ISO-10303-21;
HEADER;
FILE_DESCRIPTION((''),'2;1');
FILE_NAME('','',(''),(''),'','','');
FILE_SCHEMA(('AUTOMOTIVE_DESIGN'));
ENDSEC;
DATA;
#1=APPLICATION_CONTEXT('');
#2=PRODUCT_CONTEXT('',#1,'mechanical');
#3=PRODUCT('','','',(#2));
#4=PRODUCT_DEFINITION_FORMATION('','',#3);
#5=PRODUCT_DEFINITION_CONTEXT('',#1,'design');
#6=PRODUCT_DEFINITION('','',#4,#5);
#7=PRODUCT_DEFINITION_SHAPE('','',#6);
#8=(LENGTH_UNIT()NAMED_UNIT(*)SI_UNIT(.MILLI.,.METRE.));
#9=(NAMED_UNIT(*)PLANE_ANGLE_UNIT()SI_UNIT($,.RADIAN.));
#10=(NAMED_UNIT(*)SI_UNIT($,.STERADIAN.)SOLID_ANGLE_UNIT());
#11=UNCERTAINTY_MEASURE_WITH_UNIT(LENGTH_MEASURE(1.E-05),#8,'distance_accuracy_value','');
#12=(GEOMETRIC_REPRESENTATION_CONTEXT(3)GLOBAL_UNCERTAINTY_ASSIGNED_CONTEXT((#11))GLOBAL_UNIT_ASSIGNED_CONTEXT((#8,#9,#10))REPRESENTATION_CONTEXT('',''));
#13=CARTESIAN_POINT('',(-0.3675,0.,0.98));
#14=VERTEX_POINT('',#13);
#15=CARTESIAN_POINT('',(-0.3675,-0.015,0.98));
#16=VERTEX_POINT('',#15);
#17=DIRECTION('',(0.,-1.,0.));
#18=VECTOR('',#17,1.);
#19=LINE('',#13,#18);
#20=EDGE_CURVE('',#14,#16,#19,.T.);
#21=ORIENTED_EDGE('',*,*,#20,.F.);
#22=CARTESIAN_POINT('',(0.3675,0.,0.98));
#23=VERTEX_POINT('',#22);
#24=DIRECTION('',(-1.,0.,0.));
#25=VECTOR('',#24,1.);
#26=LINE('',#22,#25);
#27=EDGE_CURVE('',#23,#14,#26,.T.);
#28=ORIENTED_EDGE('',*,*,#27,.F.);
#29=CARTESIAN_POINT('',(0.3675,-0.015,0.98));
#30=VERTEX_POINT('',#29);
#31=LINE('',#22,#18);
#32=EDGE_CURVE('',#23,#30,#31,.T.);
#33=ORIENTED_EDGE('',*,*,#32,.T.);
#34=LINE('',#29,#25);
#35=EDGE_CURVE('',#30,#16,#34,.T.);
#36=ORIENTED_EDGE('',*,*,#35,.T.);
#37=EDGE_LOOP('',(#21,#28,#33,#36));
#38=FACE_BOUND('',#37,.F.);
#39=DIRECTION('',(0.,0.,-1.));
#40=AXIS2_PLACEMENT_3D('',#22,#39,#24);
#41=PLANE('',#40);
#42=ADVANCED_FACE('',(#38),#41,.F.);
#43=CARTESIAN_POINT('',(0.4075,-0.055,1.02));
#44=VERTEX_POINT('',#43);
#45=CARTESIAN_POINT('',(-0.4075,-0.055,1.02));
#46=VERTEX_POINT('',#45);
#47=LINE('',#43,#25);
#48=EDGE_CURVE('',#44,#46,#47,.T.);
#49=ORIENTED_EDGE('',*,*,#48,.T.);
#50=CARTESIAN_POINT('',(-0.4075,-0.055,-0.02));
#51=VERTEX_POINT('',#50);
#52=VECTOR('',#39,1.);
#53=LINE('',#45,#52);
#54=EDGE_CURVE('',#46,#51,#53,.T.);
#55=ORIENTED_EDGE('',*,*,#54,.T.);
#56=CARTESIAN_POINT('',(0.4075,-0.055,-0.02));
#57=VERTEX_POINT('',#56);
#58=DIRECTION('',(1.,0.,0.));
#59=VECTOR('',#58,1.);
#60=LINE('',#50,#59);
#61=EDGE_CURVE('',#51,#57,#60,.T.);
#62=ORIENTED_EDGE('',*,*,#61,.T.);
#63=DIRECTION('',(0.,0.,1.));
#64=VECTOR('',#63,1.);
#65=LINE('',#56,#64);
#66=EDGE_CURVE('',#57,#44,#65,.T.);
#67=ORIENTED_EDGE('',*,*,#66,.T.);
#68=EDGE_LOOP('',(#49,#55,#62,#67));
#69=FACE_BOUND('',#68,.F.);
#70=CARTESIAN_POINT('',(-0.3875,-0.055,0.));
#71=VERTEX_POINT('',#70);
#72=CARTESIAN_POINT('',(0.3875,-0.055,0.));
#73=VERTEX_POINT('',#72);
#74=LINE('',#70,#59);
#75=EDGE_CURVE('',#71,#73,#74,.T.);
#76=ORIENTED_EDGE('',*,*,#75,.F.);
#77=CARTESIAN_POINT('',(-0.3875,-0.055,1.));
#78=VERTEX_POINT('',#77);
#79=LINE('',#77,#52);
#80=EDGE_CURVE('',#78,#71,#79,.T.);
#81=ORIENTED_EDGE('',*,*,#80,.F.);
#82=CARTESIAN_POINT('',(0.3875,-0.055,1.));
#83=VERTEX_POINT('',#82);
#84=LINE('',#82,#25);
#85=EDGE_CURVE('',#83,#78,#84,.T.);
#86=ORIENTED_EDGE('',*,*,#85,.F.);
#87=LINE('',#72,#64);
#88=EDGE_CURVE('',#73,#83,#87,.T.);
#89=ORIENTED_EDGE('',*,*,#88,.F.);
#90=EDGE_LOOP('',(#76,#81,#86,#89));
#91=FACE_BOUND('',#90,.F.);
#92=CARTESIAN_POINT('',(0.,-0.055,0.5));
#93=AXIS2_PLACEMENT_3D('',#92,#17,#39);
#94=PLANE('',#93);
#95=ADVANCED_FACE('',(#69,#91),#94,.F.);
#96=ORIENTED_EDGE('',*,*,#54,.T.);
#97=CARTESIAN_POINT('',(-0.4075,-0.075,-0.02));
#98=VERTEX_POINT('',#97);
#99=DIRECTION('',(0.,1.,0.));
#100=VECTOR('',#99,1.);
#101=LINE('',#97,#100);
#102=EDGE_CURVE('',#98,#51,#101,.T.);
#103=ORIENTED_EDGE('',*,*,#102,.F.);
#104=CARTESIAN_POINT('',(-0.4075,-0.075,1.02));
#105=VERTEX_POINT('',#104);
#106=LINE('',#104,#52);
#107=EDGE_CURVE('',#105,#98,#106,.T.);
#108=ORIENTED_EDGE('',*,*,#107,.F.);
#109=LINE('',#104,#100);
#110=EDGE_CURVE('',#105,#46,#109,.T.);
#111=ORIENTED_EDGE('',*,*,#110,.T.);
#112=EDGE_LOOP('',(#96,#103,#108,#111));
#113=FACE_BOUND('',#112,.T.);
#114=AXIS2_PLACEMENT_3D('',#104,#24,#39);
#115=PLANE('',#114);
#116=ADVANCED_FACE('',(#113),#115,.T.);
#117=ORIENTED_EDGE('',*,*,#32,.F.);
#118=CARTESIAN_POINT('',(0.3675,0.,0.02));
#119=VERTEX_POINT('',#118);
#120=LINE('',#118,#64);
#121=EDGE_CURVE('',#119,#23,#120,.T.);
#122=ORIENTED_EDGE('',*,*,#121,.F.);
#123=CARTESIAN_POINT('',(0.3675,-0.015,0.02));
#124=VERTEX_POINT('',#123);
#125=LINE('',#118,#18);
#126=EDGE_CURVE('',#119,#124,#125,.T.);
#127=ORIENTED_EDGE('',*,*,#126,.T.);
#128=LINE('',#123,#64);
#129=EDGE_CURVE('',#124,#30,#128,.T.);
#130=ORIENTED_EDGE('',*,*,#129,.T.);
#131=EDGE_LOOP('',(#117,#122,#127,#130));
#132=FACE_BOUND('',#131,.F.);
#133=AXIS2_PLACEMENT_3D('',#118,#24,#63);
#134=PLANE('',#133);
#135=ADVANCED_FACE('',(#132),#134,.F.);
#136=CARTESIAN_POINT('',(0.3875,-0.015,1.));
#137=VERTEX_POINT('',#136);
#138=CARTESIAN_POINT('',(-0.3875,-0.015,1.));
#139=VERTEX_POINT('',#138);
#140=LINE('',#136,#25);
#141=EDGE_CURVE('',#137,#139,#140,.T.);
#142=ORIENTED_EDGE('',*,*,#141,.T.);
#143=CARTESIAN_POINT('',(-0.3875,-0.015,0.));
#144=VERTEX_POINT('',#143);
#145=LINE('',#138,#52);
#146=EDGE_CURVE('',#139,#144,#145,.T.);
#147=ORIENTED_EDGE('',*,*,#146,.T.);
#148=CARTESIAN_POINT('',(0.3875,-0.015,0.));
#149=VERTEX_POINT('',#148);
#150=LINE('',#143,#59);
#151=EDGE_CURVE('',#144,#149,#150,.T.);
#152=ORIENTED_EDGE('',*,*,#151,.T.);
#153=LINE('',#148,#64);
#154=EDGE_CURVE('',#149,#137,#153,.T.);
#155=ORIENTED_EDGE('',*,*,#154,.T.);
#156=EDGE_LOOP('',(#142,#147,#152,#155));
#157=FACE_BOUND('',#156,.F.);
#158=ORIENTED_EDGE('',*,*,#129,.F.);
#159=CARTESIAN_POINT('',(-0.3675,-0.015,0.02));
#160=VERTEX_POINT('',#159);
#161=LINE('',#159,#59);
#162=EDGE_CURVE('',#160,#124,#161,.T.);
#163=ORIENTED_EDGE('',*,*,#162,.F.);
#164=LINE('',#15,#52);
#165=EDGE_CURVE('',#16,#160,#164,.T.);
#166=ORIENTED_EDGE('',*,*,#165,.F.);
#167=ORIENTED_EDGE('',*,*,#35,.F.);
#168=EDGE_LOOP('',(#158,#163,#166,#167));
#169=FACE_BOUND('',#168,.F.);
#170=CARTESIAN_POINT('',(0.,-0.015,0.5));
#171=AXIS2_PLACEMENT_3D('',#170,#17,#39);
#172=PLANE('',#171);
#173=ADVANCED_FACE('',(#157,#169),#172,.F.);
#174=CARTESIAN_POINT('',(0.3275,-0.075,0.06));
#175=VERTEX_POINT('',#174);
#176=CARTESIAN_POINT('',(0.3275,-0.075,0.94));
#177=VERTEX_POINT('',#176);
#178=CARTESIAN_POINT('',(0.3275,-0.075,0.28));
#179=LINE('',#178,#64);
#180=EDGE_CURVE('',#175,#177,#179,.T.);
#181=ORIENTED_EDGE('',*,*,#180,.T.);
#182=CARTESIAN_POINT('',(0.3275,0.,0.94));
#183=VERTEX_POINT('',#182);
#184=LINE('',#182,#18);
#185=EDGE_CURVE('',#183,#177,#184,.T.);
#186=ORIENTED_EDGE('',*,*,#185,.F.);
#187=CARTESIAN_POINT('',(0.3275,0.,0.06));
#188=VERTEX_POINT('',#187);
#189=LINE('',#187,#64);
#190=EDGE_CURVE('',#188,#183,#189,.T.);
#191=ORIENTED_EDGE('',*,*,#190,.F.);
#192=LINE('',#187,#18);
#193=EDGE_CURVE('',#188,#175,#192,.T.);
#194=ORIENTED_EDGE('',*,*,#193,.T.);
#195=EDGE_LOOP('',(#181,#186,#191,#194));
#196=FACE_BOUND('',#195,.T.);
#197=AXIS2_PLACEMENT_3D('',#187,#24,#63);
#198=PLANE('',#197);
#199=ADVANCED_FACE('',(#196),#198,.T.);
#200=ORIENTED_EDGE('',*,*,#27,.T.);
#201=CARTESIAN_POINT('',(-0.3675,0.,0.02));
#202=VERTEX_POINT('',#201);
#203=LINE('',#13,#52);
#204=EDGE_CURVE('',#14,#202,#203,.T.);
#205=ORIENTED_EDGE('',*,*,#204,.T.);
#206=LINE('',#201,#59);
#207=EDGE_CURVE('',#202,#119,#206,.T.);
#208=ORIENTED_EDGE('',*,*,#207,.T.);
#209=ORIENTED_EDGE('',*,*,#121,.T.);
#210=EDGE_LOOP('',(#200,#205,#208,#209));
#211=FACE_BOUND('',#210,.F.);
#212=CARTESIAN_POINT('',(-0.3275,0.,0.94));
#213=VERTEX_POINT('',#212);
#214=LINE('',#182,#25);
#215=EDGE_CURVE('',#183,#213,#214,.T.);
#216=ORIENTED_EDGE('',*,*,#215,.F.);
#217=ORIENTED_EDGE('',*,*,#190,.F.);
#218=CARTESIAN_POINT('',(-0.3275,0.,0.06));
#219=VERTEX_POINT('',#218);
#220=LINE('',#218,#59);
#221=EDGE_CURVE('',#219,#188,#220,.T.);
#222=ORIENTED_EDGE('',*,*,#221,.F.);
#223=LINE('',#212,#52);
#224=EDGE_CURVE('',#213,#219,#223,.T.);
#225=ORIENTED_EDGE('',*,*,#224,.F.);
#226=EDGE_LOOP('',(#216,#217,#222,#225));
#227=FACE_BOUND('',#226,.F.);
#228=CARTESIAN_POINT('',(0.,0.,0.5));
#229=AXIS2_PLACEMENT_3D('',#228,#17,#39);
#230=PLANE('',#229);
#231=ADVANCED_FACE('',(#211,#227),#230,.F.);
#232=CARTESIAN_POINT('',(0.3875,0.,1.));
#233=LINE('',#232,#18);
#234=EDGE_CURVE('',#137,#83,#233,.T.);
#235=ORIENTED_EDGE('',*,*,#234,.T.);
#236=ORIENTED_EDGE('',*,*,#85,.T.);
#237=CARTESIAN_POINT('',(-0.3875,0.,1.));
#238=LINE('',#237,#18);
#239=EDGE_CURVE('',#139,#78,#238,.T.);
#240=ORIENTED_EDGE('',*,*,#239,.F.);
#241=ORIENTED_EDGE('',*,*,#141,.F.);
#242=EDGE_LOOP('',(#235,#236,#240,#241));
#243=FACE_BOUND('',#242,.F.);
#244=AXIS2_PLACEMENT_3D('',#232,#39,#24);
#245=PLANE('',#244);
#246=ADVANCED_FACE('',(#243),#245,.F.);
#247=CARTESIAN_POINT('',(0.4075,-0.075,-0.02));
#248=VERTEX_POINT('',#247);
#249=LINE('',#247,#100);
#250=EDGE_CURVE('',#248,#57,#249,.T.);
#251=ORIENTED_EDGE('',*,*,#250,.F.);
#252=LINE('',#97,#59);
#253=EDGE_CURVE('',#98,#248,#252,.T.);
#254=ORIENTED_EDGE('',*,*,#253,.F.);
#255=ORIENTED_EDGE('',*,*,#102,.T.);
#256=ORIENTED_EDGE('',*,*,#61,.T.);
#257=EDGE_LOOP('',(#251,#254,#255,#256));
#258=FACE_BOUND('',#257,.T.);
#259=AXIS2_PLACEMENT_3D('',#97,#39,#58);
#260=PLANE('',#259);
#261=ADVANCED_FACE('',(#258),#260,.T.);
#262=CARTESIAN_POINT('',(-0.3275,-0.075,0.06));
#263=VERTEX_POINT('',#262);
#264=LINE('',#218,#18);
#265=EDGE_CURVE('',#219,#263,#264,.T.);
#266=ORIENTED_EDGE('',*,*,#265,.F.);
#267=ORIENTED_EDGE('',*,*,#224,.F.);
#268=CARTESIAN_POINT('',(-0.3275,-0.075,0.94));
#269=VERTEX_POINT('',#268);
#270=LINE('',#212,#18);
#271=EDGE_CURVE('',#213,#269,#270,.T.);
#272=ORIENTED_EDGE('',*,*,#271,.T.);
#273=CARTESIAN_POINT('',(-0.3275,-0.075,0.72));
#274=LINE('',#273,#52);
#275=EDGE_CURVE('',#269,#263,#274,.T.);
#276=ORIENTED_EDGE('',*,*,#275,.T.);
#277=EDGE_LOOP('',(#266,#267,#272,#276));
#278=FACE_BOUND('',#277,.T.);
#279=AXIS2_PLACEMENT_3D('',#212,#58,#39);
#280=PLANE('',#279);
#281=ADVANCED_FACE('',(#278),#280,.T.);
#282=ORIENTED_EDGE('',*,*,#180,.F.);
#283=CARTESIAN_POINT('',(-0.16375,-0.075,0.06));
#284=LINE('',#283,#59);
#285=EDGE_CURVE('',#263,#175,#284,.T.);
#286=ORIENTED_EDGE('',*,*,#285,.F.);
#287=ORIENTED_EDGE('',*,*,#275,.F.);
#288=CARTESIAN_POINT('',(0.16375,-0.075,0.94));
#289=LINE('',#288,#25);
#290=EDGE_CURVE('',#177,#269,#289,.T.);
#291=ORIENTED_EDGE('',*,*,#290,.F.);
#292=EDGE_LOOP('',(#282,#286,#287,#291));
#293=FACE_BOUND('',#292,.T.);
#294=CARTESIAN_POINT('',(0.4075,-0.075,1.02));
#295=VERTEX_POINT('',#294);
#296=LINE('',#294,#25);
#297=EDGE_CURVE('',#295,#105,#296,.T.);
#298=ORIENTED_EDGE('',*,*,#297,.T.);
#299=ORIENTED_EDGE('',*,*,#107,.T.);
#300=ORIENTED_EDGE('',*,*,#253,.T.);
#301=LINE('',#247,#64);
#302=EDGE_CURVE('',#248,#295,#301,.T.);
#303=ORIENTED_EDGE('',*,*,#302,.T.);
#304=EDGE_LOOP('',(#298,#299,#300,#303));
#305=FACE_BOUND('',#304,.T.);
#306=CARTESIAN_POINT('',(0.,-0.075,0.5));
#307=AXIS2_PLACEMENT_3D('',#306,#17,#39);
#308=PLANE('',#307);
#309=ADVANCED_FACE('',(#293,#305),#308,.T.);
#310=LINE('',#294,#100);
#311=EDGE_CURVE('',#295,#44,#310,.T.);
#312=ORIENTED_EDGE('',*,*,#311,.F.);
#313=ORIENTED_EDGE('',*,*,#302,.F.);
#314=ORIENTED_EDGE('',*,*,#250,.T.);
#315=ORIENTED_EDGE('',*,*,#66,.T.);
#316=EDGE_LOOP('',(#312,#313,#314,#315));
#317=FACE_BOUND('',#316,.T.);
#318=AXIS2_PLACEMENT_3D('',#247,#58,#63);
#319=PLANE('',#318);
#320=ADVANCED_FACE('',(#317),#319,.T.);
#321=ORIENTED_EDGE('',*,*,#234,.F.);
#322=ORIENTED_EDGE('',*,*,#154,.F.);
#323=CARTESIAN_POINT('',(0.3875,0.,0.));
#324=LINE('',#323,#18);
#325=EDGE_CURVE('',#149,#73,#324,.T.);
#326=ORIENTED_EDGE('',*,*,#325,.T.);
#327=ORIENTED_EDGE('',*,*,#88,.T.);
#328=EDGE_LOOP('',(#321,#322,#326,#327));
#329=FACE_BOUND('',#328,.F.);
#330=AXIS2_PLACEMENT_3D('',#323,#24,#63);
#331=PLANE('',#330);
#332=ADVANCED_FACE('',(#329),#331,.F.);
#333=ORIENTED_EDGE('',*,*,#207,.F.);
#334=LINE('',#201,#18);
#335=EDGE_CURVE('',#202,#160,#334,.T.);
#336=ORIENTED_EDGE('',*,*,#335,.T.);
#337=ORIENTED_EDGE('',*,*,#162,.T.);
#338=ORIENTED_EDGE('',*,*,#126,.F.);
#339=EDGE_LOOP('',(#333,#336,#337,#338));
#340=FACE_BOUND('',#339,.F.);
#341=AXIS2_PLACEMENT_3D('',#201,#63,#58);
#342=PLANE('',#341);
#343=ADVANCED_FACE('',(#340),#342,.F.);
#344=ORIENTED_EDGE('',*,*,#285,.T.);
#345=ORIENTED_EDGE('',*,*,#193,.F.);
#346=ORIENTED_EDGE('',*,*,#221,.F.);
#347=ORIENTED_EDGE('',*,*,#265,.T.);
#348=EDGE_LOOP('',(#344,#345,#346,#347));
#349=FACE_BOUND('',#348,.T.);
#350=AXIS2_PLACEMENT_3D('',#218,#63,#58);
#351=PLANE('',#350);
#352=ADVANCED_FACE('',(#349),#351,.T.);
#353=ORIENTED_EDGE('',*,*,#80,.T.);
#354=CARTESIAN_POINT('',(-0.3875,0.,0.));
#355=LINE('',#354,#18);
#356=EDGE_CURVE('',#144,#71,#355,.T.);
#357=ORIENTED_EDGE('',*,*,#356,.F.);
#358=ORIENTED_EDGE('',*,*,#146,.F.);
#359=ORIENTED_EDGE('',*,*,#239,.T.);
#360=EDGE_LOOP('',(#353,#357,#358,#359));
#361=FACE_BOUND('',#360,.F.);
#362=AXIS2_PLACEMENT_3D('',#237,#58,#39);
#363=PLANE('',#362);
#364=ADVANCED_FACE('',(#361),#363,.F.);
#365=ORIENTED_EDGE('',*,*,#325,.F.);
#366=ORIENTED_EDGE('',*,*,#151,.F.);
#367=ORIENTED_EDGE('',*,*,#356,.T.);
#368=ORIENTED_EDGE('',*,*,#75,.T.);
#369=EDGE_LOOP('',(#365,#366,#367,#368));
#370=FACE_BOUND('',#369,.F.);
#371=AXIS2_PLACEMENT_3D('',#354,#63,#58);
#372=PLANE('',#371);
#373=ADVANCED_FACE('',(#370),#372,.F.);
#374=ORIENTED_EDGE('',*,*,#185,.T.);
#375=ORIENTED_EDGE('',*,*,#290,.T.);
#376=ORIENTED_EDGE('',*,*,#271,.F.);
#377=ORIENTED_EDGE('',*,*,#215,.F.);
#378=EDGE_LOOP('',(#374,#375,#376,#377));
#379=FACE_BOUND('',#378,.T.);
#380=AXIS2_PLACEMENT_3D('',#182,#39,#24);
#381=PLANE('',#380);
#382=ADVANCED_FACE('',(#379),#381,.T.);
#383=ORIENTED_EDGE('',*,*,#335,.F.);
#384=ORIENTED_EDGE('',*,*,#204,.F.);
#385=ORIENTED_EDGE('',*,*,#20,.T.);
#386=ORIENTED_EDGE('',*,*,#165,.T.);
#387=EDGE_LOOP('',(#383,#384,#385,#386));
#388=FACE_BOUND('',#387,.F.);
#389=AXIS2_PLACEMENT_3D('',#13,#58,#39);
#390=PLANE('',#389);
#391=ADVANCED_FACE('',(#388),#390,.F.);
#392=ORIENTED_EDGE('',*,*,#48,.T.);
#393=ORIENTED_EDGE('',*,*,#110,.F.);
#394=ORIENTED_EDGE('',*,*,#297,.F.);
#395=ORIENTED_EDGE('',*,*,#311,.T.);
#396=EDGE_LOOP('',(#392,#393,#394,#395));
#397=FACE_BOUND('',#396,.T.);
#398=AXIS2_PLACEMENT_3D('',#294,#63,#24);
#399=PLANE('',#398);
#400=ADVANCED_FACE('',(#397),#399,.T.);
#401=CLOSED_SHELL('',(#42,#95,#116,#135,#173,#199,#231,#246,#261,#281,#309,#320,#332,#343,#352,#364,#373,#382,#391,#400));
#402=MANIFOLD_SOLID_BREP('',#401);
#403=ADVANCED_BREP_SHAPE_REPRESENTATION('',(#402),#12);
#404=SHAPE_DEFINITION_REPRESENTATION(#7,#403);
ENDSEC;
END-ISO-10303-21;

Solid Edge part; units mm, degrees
sketch "Sketch1" plane through (0, 0, 0) normal (0, -1, 0) x (1, 0, 0)
  line L0 (-0.3875, 0) -> (0.3875, 0)
  line L1 (0.3875, 0) -> (0.3875, 1)
  line L2 (0.3875, 1) -> (-0.3875, 1)
  line L3 (-0.3875, 1) -> (-0.3875, 0)
  dimension "D1" = 1
  dimension "D2" = 0.775
extrude "Protrusion1" add sketch "Sketch1" along normal blind 0.075
sketch "Sketch2" plane through (0, 0, 0.69) normal (0, 1, 0) x (-1, 0, 0)
  line L0 (-0.3275, 0.25) -> (0.3275, 0.25)
  line L1 (0.3275, 0.25) -> (0.3275, -0.63)
  line L2 (0.3275, -0.63) -> (-0.3275, -0.63)
  line L3 (-0.3275, -0.63) -> (-0.3275, 0.25)
extrude "Cutout1" cut sketch "Sketch2" against normal up to next
sketch "Sketch3" plane through (0, 0, 0.69) normal (0, 1, 0) x (-1, 0, 0)
  line L0 (-0.3675, -0.67) -> (-0.3675, 0.29)
  line L1 (-0.3675, 0.29) -> (0.3675, 0.29)
  line L2 (0.3675, 0.29) -> (0.3675, -0.67)
  line L3 (0.3675, -0.67) -> (-0.3675, -0.67)
  line L4 (-0.3875, -0.69) -> (-0.3875, 0.31)
  line L5 (-0.3875, 0.31) -> (0.3875, 0.31)
  line L6 (0.3875, 0.31) -> (0.3875, -0.69)
  line L7 (0.3875, -0.69) -> (-0.3875, -0.69)
extrude "Ausschnitt_1" cut sketch "Sketch3" against normal blind 0.015
sketch "Sketch4" plane through (0, -0.075, 0.69) normal (0, -1, 0) x (1, 0, 0)
  line L0 (-0.4075, 0.33) -> (-0.4075, -0.71)
  line L1 (-0.4075, -0.71) -> (0.4075, -0.71)
  line L2 (0.4075, -0.71) -> (0.4075, 0.33)
  line L3 (0.4075, 0.33) -> (-0.4075, 0.33)
  line L4 (0.3875, 0.31) -> (-0.3875, 0.31)
  line L5 (-0.3875, 0.31) -> (-0.3875, -0.69)
  line L6 (-0.3875, -0.69) -> (0.3875, -0.69)
  line L7 (0.3875, -0.69) -> (0.3875, 0.31)
extrude "Ausprägung_2" add sketch "Sketch4" against normal blind 0.02
